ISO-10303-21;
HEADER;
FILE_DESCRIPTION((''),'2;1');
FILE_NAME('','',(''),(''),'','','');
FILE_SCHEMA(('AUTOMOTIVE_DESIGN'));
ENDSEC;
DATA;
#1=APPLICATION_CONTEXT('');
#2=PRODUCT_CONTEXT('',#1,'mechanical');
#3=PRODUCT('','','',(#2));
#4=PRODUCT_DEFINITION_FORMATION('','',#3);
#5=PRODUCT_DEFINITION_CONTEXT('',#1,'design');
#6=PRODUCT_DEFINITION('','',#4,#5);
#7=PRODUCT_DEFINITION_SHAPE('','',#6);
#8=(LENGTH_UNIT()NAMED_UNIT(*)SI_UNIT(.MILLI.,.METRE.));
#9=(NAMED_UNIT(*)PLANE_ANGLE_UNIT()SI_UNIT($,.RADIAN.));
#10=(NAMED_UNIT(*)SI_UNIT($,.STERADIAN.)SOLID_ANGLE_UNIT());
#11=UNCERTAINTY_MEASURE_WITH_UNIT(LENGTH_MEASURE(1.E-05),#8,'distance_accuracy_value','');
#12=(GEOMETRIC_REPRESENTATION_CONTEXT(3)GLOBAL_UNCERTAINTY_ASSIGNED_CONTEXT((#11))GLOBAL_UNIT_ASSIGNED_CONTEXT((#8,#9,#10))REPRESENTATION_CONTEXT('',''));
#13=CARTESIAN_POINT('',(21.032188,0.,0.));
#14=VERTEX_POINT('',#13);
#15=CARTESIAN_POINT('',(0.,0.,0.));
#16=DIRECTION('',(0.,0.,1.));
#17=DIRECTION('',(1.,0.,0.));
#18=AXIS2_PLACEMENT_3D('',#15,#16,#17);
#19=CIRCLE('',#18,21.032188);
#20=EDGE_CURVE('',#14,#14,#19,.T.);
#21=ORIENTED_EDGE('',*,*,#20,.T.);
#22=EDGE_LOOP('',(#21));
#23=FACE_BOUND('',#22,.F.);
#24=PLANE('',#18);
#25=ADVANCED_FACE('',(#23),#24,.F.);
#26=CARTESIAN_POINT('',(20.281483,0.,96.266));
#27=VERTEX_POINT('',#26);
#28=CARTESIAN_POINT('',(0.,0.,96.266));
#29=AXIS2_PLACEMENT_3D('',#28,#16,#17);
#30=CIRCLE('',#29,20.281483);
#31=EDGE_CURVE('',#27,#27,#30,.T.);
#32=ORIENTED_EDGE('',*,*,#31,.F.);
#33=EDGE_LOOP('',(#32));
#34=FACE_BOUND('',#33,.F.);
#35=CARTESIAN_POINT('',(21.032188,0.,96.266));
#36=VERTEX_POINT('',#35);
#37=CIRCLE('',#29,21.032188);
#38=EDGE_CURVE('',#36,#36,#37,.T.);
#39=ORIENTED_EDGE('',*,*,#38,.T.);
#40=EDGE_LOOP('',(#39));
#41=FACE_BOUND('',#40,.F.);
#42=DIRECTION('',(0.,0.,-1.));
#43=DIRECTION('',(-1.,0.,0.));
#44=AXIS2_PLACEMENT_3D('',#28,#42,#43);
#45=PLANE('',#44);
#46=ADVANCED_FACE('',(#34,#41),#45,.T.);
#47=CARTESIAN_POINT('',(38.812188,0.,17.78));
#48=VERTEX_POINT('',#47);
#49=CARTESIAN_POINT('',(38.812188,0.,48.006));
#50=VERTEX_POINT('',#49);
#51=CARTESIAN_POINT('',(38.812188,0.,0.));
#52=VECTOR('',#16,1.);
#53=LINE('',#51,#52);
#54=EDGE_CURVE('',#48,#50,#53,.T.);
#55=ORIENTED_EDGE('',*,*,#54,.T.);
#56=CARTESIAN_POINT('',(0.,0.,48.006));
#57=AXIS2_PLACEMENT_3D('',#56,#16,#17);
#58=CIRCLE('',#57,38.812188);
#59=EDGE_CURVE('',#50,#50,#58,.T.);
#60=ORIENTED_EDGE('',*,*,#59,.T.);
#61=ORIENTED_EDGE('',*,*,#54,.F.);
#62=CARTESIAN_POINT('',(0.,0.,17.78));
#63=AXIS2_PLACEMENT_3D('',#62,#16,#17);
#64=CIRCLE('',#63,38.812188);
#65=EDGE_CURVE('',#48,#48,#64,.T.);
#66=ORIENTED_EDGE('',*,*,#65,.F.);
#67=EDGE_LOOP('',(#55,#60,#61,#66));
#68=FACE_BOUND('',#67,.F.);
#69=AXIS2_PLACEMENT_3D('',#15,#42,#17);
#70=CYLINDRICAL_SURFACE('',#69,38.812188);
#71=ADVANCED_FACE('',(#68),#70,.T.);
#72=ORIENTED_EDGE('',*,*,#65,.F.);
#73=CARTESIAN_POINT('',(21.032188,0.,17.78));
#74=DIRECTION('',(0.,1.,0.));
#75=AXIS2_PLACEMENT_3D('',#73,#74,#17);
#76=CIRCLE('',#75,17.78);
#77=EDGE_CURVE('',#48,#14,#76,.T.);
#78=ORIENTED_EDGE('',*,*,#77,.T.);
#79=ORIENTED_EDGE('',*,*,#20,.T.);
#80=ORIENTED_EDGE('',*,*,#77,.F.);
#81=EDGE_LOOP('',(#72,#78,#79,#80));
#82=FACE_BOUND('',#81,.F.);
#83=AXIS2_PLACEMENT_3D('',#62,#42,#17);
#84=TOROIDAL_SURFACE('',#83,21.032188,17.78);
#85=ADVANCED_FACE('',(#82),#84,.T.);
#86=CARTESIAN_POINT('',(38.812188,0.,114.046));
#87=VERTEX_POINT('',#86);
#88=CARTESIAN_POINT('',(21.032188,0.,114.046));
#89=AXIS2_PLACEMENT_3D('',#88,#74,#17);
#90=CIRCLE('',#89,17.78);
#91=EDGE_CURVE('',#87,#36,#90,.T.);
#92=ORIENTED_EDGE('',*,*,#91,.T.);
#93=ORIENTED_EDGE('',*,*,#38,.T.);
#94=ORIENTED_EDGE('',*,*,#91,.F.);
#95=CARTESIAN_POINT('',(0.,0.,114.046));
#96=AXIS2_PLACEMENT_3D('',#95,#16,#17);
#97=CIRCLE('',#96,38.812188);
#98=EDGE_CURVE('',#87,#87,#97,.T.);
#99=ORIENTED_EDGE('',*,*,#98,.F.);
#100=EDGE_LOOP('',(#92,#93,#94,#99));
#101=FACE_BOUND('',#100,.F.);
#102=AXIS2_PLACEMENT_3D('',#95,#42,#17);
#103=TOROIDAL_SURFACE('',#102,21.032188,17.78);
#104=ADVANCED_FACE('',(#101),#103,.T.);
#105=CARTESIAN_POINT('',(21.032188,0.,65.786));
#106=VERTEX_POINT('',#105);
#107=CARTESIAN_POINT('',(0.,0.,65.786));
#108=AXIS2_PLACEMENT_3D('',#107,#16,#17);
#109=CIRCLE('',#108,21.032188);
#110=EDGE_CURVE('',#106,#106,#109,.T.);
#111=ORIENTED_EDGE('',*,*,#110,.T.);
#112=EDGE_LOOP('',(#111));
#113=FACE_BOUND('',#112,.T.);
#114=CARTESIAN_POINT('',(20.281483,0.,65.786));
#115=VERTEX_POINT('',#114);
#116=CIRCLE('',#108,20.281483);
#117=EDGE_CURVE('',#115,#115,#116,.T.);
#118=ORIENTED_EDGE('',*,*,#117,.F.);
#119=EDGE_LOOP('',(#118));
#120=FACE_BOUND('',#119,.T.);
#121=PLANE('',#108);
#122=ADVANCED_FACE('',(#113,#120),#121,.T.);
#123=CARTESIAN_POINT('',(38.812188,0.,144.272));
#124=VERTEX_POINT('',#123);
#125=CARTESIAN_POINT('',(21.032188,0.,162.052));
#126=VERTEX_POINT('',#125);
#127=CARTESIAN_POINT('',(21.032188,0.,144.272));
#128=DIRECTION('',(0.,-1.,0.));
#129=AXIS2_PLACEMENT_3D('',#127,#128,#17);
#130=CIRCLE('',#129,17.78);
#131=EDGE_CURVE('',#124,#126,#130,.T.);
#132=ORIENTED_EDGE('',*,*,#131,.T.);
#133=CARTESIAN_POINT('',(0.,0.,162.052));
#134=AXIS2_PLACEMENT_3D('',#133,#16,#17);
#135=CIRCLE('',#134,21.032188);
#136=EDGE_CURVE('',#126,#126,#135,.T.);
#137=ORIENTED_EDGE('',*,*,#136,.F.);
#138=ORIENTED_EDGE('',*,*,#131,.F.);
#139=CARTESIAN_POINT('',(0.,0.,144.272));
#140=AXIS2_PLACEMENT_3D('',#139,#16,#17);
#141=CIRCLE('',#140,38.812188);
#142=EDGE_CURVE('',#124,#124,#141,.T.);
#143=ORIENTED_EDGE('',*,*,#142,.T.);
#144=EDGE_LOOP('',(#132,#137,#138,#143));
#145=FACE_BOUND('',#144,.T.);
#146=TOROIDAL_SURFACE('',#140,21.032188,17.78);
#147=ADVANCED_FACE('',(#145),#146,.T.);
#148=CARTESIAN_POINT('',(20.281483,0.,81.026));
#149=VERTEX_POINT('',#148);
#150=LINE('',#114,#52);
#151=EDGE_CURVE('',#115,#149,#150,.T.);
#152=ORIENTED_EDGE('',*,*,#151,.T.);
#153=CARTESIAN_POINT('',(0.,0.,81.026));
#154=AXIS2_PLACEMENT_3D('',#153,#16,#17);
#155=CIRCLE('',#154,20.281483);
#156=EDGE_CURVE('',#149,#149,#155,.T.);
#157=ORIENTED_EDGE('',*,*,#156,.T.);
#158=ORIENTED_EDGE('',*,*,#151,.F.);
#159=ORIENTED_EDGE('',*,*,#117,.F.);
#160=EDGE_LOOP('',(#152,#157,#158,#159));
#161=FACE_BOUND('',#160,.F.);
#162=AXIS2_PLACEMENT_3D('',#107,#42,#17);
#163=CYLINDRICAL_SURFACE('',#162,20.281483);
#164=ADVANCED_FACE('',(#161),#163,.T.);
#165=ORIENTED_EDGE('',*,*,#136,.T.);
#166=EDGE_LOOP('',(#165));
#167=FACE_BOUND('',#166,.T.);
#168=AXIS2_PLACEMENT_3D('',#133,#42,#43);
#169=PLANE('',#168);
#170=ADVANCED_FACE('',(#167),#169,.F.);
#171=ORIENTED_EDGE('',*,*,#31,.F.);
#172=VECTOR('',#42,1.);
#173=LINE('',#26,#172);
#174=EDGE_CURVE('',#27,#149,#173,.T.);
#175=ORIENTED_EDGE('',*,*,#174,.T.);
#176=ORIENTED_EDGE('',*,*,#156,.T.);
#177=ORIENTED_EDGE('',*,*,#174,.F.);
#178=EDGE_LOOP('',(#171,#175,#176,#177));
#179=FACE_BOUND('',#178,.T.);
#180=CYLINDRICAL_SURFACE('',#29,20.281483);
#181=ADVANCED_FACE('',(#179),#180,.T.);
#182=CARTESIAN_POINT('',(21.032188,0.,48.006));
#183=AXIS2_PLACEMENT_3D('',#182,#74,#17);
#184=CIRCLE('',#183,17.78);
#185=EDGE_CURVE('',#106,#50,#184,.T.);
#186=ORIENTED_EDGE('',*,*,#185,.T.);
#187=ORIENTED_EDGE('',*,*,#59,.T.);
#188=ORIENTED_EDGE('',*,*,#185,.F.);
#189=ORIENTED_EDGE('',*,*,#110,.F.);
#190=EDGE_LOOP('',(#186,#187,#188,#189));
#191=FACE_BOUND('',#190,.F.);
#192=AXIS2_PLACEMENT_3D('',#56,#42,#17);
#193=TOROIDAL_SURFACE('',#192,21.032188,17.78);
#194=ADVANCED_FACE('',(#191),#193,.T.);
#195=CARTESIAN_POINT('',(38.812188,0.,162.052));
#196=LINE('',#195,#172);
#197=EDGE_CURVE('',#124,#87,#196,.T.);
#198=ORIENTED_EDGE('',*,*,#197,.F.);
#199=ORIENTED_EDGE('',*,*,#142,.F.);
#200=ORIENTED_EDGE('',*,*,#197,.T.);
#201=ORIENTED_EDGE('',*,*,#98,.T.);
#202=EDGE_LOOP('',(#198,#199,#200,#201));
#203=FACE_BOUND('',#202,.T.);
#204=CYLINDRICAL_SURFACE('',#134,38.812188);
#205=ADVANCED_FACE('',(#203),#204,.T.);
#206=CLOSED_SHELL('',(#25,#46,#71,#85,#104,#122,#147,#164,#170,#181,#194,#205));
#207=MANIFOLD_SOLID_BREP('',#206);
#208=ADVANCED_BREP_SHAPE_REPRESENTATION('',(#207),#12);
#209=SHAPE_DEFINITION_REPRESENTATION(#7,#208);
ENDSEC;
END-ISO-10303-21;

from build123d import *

# Parameters (mm, degrees)
F0_R     = 38.812188294
F1_DEPTH = 65.786
F2_R     = 20.2814830759
F3_DEPTH = 15.24
F5_R     = 17.78


with BuildPart() as f1:
    # F0 (on Top) → F1 (new body)
    with BuildSketch(Plane.XY):
        Circle(F0_R)
    extrude(amount=F1_DEPTH)

    # F2 (on face) → F3 (join)
    with BuildSketch(Plane.XY.offset(65.786)):
        Circle(F2_R)
    extrude(amount=F3_DEPTH)

    # F4: F1 across face


with BuildPart() as f1_1:
    add(f1.part)
    add(f1.part.mirror(Plane.XY.offset(81.026)))

    # F5
    f5_edges = [f1_1.edges().sort_by_distance(p)[0] for p in [
        (38.812188, 0, 129.159),
        (-38.812188, 0, 162.052),
        (-38.812188, 0, 96.266),
        (38.812188, 0, 32.893),
        (-38.812188, 0, 0),
        (-38.812188, 0, 65.786),
    ]]
    fillet(f5_edges, radius=F5_R)


solid = f1_1.part
